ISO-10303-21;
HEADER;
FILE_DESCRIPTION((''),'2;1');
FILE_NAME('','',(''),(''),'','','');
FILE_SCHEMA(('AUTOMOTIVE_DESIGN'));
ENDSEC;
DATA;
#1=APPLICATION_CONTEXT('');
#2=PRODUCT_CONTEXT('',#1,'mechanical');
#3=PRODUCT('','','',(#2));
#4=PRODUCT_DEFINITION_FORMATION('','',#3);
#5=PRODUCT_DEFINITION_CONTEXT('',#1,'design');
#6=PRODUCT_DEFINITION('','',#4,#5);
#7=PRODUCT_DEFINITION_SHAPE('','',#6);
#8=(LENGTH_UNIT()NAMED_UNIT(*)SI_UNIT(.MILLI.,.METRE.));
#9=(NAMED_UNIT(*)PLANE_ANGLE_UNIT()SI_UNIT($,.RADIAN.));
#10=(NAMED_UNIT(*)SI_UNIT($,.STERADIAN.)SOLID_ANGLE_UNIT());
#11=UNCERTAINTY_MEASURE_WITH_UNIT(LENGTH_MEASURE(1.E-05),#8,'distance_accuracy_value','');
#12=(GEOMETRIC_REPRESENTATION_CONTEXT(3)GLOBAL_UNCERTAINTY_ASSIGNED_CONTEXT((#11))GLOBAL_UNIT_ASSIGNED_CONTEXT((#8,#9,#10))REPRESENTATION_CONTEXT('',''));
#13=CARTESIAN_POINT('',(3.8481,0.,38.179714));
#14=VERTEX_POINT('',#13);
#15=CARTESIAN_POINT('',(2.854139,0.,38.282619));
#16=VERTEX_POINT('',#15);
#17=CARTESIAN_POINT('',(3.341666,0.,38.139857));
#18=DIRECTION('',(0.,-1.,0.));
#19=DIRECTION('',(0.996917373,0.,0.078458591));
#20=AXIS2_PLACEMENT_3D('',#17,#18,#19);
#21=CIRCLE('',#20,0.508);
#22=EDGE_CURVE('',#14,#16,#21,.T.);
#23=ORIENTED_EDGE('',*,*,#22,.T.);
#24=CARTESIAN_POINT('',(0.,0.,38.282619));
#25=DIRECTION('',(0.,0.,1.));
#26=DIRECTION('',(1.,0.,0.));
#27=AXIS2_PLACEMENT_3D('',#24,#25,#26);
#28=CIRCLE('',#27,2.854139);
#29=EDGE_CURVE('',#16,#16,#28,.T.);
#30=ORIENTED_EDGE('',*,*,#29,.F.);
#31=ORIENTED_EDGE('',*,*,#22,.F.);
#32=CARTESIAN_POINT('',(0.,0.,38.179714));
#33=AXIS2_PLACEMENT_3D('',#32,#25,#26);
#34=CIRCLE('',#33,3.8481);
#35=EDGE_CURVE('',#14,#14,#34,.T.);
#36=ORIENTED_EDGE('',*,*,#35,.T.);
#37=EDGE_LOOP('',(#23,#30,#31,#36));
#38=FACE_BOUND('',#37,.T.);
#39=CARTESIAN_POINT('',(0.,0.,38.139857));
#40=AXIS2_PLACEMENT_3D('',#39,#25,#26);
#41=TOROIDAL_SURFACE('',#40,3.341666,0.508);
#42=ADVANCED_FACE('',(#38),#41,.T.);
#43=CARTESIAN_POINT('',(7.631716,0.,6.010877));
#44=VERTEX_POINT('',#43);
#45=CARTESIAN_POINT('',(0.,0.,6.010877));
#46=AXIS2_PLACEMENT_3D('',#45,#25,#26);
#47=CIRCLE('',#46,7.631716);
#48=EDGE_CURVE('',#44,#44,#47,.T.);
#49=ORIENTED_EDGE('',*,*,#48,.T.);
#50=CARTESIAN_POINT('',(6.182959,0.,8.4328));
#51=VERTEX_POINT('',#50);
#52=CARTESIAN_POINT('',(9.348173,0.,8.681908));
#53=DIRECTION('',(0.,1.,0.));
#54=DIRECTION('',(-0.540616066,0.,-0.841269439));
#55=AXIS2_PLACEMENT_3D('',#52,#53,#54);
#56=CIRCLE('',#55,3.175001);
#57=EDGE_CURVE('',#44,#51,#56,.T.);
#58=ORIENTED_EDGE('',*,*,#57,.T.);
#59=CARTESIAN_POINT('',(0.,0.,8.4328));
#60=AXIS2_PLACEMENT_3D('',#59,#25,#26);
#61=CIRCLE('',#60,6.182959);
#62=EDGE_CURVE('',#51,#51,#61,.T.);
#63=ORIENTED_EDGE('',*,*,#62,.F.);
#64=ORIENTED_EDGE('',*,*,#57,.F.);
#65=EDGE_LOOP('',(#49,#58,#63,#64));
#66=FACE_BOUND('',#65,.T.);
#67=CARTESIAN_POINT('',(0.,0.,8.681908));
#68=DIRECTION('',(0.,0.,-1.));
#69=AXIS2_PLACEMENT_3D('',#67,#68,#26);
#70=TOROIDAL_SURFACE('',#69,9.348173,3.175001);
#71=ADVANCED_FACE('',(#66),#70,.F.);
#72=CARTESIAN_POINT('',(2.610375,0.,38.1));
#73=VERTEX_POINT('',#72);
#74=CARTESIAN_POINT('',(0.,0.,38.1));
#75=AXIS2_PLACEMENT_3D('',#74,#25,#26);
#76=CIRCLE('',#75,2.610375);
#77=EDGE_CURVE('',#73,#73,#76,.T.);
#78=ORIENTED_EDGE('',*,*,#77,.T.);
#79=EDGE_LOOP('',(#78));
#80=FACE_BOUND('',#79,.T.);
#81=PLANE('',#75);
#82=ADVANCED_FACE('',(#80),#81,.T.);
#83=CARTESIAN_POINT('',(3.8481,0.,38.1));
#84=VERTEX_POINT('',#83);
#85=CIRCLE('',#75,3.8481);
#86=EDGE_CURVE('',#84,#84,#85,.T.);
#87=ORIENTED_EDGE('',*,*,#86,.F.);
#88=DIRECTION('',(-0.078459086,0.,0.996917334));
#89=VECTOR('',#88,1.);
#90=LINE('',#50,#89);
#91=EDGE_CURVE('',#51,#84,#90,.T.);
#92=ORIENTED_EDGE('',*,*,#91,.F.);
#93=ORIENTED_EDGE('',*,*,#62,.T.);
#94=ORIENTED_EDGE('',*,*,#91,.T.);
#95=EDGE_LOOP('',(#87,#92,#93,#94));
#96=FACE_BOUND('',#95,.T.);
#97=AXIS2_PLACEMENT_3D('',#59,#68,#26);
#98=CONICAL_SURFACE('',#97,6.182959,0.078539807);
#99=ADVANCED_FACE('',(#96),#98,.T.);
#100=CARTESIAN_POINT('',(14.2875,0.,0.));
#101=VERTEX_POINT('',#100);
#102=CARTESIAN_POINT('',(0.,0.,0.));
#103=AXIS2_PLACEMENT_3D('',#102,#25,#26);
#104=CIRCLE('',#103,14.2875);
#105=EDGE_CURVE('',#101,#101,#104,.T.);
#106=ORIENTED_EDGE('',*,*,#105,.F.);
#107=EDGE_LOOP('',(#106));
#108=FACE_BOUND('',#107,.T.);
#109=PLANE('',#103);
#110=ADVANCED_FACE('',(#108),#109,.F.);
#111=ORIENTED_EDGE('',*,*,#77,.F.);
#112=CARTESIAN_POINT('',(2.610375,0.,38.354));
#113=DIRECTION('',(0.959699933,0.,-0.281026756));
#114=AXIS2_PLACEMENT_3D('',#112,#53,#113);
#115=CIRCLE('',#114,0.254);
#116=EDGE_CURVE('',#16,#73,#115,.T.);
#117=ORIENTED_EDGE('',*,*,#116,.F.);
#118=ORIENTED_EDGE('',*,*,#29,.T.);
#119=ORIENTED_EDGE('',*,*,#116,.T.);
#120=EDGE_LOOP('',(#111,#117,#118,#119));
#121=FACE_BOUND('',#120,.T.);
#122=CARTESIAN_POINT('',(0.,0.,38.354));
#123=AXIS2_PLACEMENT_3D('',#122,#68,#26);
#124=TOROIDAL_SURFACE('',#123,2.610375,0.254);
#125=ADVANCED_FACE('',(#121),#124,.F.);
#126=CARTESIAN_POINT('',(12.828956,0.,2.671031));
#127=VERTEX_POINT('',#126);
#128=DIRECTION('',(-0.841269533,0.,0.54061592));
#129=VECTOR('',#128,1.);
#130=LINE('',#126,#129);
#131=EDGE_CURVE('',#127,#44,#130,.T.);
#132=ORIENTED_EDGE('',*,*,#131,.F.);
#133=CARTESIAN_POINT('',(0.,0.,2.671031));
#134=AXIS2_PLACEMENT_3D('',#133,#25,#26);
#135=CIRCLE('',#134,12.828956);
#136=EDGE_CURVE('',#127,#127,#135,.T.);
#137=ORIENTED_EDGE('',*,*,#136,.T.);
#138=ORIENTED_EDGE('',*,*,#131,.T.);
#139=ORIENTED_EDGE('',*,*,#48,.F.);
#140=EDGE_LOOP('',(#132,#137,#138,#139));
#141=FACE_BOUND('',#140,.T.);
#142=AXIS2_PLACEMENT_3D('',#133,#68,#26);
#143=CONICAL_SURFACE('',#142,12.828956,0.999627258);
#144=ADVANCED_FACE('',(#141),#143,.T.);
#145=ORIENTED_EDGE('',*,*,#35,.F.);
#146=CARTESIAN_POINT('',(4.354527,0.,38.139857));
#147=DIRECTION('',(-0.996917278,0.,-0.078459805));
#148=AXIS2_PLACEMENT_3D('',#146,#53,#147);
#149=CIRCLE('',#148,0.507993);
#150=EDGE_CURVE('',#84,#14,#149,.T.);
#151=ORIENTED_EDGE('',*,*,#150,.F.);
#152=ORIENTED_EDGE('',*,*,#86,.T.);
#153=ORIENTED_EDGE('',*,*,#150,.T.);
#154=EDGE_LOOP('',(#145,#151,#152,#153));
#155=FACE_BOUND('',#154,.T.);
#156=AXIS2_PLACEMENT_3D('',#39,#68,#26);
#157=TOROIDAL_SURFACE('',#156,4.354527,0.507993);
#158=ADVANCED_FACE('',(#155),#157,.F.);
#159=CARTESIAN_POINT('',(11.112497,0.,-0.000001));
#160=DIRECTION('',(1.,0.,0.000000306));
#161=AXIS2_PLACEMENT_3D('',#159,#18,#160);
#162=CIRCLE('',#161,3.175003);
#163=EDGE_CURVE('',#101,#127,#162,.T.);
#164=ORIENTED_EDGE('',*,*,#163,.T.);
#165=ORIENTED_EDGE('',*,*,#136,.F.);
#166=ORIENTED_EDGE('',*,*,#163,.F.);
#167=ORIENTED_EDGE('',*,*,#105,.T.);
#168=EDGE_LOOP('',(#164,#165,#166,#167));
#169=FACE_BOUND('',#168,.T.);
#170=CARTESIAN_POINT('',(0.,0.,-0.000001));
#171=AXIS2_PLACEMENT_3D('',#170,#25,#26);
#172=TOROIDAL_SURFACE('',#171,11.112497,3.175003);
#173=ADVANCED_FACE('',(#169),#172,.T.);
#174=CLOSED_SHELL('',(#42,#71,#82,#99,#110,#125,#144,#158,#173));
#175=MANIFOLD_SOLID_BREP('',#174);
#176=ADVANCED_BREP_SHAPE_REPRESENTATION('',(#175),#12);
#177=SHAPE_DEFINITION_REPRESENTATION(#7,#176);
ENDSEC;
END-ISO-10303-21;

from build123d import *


with BuildPart() as f1:
    # F0 (on Front) → F1 (revolve)
    with BuildSketch(Plane.XZ):
        with BuildLine():
            Line((0, 38.1), (0, 0))
            Line((0, 0), (14.2875, 0))
            ThreePointArc((14.2875, 0), (13.899108, 1.521657), (12.828956, 2.671031))
            Line((12.828956, 2.671031), (7.631716, 6.010877))
            ThreePointArc((7.631716, 6.010877), (6.623452, 7.052022), (6.182959, 8.4328))
            Line((6.182959, 8.4328), (3.8481, 38.1))
            ThreePointArc((3.8481, 38.1), (3.846534, 38.139857), (3.8481, 38.179714))
            ThreePointArc((3.8481, 38.179714), (3.39398, 38.645156), (2.854139, 38.282619))
            ThreePointArc((2.854139, 38.282619), (2.762666, 38.150718), (2.610375, 38.1))
            Line((2.610375, 38.1), (0, 38.1))
        make_face()
    revolve(axis=Axis((0, 0, 19.05), (0, 0, 1)))


solid = f1.part
